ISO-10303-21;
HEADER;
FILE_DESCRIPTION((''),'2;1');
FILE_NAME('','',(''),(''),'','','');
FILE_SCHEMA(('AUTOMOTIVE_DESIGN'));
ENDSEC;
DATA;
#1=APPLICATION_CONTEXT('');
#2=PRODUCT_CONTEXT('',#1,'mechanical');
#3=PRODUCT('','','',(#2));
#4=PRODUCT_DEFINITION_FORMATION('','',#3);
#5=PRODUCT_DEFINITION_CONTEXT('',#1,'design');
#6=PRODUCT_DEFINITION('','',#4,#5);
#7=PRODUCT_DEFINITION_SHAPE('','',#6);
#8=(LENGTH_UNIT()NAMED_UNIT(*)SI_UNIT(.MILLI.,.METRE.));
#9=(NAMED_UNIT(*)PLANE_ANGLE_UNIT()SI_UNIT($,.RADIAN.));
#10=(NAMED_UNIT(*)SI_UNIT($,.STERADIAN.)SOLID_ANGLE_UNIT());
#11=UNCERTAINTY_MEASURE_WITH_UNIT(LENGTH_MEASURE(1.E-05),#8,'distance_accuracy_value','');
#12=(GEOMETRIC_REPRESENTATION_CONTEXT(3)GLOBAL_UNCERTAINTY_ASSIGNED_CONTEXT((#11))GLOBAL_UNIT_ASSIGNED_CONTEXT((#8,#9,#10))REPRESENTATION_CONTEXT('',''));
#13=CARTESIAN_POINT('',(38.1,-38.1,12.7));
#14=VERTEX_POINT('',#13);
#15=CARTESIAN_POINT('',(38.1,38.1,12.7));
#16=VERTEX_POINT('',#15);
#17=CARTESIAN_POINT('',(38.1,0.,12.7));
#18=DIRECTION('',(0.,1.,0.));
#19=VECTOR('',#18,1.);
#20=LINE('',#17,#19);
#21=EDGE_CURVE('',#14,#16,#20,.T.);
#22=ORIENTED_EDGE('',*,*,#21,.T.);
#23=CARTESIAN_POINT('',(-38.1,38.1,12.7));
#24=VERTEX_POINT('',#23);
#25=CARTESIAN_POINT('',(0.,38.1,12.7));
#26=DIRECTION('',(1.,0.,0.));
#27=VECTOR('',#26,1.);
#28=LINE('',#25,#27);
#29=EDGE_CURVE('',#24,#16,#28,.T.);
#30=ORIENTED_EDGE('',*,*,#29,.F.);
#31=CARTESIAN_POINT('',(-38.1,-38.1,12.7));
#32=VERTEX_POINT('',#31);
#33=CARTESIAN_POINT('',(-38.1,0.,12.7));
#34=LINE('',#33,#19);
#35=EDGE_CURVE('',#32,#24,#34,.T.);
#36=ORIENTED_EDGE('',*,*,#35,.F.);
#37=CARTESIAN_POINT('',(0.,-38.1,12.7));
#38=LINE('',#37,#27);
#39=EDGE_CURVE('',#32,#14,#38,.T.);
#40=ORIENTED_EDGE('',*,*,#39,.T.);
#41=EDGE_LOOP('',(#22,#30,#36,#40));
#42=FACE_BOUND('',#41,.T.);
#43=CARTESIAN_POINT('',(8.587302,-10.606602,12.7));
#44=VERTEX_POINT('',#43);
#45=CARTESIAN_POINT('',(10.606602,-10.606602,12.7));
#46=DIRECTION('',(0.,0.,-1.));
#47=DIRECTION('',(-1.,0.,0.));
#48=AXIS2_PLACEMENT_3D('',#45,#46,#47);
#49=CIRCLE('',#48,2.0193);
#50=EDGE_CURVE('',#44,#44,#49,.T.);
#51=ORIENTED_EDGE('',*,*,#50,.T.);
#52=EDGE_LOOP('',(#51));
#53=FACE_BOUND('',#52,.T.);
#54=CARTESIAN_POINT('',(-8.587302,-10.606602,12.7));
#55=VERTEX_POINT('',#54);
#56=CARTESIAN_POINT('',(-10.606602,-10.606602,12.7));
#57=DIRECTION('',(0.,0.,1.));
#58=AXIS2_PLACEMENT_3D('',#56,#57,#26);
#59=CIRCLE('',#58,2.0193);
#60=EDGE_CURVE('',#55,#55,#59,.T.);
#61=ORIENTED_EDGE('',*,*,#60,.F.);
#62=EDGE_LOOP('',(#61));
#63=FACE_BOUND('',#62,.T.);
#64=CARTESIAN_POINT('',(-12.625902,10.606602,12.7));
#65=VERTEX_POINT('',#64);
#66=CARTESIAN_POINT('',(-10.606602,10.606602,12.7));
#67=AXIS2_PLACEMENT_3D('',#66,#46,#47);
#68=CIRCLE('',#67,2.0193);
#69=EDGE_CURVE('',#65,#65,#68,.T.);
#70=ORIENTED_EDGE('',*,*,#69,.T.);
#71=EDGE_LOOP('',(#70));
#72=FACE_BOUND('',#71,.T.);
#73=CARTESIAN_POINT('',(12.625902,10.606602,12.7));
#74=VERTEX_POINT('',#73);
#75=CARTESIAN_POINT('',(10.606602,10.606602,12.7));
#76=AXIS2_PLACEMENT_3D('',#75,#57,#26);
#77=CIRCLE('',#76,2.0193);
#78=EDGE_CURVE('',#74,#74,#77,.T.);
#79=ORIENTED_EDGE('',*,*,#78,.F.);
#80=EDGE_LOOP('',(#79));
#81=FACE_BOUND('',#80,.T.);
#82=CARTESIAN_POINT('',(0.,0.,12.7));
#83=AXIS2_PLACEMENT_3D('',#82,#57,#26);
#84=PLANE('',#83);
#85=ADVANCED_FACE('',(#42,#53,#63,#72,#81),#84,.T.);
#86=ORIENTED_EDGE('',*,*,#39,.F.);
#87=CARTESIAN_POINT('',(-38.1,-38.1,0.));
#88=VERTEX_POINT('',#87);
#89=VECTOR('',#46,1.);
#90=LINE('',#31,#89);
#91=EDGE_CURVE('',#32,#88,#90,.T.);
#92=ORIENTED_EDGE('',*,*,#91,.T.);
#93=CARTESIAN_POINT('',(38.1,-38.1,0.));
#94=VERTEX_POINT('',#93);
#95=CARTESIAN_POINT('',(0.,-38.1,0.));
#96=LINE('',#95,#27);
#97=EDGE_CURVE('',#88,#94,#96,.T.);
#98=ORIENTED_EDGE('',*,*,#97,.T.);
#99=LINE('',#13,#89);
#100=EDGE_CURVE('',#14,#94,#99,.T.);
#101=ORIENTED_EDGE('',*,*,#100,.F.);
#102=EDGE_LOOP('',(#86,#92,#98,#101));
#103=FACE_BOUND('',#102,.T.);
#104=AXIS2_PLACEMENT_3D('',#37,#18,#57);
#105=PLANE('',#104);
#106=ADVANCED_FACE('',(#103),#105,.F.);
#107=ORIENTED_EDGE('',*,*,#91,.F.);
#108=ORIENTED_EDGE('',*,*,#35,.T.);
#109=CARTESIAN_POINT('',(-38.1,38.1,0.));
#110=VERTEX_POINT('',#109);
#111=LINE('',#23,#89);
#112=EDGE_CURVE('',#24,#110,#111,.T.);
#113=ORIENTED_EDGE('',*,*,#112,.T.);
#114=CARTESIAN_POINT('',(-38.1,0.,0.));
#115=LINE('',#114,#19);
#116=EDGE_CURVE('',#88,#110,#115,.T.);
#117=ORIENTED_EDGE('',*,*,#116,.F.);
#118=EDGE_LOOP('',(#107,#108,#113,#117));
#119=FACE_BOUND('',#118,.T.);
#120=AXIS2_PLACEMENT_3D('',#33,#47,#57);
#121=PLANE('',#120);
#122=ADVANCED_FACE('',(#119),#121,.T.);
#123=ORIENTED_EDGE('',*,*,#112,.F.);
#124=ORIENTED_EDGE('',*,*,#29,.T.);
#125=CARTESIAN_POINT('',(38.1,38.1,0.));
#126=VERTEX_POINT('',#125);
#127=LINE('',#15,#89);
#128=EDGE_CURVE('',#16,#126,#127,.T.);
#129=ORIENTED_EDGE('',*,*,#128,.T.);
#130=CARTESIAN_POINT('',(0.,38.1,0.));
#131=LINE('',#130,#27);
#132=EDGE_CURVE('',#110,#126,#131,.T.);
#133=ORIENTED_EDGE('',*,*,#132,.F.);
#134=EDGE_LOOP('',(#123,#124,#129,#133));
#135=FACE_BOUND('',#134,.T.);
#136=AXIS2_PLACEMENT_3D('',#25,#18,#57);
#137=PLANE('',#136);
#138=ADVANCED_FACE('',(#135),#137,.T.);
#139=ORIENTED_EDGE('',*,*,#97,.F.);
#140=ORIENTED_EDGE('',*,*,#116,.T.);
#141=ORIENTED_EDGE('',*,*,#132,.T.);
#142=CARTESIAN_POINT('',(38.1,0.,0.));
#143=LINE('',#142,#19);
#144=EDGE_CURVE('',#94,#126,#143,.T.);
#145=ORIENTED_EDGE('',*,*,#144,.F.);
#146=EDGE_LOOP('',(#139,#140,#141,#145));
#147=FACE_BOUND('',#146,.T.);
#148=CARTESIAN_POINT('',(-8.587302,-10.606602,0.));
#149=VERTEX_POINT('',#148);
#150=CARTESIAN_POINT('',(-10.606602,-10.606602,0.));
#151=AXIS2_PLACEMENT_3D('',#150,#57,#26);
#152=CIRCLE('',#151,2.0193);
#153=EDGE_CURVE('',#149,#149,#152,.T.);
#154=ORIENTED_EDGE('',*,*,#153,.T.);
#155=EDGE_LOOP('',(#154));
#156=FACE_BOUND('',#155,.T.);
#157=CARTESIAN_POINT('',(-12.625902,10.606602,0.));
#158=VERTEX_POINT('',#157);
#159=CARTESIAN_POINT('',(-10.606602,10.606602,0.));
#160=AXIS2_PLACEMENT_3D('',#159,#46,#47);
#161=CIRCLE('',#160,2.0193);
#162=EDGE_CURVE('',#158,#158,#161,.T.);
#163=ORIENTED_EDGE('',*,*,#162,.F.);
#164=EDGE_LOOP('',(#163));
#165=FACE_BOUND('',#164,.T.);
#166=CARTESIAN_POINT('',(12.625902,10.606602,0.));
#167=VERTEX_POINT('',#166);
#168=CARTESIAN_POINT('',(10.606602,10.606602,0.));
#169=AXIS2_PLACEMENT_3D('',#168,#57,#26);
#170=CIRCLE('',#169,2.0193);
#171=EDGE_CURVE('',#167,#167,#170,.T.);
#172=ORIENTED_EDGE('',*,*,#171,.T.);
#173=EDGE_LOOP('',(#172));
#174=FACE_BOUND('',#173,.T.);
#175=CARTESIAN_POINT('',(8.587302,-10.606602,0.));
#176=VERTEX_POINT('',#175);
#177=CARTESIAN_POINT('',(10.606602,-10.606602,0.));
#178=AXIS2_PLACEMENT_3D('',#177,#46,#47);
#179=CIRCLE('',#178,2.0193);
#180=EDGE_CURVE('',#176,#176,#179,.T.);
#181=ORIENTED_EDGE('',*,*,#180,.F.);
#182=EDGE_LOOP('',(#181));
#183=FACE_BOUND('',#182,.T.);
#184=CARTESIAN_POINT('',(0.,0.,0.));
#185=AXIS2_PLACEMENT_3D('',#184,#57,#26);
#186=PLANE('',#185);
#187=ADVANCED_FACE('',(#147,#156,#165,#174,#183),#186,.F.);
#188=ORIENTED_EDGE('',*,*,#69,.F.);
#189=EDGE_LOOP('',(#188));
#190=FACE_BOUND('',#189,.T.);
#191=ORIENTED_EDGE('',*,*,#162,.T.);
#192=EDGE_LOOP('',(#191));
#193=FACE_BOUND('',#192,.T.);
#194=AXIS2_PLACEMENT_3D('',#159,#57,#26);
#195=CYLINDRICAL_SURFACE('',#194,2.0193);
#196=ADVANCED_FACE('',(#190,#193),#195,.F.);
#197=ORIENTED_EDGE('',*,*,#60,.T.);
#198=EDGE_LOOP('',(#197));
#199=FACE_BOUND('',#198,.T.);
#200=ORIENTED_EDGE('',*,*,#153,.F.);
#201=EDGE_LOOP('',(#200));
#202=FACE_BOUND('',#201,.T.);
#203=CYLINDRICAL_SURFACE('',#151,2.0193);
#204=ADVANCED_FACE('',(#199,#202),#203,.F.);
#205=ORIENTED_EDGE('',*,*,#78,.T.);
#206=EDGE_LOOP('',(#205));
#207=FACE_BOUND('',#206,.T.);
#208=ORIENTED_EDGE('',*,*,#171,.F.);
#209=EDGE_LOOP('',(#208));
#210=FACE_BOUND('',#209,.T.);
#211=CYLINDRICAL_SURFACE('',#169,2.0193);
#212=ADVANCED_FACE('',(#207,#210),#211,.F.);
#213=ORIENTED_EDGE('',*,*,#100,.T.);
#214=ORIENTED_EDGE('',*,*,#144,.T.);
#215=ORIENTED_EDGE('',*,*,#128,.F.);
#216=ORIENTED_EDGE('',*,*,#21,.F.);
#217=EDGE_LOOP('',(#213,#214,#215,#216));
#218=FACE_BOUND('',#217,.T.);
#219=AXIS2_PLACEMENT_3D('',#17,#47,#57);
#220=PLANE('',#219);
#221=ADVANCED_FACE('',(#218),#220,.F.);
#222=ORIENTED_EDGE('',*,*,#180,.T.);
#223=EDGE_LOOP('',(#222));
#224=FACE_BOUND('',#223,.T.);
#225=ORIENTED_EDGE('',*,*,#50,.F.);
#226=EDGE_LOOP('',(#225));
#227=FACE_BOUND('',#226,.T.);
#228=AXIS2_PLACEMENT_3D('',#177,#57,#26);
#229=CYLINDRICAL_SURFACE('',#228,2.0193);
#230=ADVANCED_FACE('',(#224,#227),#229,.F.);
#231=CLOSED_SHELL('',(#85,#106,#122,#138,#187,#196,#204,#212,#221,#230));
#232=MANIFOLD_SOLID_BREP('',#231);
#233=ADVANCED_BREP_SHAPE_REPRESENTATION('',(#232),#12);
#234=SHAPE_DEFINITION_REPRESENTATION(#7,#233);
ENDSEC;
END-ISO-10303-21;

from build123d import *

# Parameters (mm, degrees)
BOSS_EXTRUDE1_DEPTH = 12.7
SKETCH2_R           = 2.0193
CUT_EXTRUDE1_DEPTH  = 56.358016583


with BuildPart() as part:
    # Sketch1 → Boss-Extrude1 (new body)
    with BuildSketch(Plane.XY):
        Polygon((-38.1, 38.1), (-38.1, -38.1), (-12.7, -38.1), (12.7, -38.1), (38.1, -38.1), (38.1, 38.1), (12.7, 38.1), (-12.7, 38.1), align=None)
    extrude(amount=BOSS_EXTRUDE1_DEPTH)

    # Sketch2 → Cut-Extrude1 (cut, through all)
    with BuildSketch(Plane.XY.offset(12.7)):
        with Locations((10.606601718, 10.606601718)):
            Circle(SKETCH2_R)
        with Locations(Location((10.606601718, -10.606601718, 0), (0, 0, 180))):
            Circle(SKETCH2_R)
        with Locations((-10.606601718, -10.606601718)):
            Circle(SKETCH2_R)
        with Locations(Location((-10.606601718, 10.606601718, 0), (0, 0, 180))):
            Circle(SKETCH2_R)
    extrude(amount=-CUT_EXTRUDE1_DEPTH, mode=Mode.SUBTRACT)


solid = part.part
